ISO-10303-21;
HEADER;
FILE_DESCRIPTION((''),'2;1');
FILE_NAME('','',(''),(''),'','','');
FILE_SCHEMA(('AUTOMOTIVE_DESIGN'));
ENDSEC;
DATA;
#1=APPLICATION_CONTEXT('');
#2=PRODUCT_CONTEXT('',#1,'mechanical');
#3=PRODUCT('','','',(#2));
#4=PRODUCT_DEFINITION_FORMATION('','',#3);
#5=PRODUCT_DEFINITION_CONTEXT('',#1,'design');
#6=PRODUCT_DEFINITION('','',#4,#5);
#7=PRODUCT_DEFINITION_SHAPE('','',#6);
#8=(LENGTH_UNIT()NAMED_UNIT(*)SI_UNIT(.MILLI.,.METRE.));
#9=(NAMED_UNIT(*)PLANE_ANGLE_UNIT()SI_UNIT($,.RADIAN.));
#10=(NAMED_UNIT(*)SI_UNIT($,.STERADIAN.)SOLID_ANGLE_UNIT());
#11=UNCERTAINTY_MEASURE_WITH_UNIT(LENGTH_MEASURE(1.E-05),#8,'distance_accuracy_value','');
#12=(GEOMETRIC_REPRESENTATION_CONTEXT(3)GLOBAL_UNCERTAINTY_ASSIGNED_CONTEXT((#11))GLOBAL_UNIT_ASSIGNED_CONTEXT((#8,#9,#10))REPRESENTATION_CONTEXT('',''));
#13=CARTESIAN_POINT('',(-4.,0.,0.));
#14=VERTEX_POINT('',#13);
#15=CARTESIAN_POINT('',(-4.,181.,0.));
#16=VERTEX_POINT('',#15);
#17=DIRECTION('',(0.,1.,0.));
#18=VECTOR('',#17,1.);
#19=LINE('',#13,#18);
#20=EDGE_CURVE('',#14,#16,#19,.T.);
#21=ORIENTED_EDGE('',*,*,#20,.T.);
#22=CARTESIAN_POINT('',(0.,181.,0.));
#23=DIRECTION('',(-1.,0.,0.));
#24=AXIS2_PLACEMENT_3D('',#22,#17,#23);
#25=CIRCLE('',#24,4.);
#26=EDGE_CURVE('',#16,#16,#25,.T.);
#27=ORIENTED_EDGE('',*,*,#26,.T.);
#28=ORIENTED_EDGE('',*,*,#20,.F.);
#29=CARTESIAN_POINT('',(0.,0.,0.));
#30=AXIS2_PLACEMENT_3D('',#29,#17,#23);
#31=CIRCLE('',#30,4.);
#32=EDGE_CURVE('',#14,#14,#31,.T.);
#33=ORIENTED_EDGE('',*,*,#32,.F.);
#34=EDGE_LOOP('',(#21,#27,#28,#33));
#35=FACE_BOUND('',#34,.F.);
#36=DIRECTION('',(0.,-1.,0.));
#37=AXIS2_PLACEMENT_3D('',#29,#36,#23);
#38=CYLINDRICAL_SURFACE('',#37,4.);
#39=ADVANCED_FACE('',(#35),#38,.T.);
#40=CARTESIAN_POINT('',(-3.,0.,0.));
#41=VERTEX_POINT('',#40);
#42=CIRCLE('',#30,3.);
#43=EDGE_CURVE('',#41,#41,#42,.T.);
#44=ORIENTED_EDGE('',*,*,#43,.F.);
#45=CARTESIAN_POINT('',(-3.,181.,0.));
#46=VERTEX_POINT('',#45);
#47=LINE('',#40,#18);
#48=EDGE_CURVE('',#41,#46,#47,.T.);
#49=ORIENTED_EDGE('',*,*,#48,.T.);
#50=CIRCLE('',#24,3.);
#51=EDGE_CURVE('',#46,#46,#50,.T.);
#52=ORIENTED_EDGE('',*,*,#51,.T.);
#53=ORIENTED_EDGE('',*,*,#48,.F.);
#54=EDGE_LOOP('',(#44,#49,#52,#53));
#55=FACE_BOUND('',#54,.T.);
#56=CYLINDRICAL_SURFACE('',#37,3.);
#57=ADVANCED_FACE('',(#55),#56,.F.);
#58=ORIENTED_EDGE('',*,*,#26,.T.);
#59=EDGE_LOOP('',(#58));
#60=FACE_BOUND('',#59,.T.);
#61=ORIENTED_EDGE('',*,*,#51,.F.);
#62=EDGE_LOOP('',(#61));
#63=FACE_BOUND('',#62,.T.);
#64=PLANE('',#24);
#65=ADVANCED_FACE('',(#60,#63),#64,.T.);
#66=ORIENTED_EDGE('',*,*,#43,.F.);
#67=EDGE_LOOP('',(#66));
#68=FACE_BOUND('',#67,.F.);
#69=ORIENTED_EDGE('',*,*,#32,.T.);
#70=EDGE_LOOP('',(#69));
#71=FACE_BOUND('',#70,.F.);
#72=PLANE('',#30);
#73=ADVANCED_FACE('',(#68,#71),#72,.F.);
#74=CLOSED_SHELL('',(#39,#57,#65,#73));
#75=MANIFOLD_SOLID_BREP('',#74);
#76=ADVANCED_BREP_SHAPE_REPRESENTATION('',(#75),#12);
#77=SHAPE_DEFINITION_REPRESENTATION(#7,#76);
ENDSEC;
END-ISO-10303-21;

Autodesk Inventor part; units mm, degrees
ref_plane "YZ Plane" through (0, 0, 0) normal (1, 0, 0) x (0, 1, 0)
ref_plane "XZ Plane" through (0, 0, 0) normal (0, 1, 0) x (-1, 0, 0)
ref_plane "XY Plane" through (0, 0, 0) normal (0, 0, 1) x (1, 0, 0)
sketch "Эскиз1" plane through (0, 0, 0) normal (0, 1, 0) x (-1, 0, 0)
  circle A0 centre (0, 0) radius 4
  circle A1 centre (0, 0) radius 3
  dimension "d0" = 1
  dimension "d1" = 8
extrude "Выдавливание1" add sketch "Эскиз1" along normal blind 181
properties part number "шланг передний"
